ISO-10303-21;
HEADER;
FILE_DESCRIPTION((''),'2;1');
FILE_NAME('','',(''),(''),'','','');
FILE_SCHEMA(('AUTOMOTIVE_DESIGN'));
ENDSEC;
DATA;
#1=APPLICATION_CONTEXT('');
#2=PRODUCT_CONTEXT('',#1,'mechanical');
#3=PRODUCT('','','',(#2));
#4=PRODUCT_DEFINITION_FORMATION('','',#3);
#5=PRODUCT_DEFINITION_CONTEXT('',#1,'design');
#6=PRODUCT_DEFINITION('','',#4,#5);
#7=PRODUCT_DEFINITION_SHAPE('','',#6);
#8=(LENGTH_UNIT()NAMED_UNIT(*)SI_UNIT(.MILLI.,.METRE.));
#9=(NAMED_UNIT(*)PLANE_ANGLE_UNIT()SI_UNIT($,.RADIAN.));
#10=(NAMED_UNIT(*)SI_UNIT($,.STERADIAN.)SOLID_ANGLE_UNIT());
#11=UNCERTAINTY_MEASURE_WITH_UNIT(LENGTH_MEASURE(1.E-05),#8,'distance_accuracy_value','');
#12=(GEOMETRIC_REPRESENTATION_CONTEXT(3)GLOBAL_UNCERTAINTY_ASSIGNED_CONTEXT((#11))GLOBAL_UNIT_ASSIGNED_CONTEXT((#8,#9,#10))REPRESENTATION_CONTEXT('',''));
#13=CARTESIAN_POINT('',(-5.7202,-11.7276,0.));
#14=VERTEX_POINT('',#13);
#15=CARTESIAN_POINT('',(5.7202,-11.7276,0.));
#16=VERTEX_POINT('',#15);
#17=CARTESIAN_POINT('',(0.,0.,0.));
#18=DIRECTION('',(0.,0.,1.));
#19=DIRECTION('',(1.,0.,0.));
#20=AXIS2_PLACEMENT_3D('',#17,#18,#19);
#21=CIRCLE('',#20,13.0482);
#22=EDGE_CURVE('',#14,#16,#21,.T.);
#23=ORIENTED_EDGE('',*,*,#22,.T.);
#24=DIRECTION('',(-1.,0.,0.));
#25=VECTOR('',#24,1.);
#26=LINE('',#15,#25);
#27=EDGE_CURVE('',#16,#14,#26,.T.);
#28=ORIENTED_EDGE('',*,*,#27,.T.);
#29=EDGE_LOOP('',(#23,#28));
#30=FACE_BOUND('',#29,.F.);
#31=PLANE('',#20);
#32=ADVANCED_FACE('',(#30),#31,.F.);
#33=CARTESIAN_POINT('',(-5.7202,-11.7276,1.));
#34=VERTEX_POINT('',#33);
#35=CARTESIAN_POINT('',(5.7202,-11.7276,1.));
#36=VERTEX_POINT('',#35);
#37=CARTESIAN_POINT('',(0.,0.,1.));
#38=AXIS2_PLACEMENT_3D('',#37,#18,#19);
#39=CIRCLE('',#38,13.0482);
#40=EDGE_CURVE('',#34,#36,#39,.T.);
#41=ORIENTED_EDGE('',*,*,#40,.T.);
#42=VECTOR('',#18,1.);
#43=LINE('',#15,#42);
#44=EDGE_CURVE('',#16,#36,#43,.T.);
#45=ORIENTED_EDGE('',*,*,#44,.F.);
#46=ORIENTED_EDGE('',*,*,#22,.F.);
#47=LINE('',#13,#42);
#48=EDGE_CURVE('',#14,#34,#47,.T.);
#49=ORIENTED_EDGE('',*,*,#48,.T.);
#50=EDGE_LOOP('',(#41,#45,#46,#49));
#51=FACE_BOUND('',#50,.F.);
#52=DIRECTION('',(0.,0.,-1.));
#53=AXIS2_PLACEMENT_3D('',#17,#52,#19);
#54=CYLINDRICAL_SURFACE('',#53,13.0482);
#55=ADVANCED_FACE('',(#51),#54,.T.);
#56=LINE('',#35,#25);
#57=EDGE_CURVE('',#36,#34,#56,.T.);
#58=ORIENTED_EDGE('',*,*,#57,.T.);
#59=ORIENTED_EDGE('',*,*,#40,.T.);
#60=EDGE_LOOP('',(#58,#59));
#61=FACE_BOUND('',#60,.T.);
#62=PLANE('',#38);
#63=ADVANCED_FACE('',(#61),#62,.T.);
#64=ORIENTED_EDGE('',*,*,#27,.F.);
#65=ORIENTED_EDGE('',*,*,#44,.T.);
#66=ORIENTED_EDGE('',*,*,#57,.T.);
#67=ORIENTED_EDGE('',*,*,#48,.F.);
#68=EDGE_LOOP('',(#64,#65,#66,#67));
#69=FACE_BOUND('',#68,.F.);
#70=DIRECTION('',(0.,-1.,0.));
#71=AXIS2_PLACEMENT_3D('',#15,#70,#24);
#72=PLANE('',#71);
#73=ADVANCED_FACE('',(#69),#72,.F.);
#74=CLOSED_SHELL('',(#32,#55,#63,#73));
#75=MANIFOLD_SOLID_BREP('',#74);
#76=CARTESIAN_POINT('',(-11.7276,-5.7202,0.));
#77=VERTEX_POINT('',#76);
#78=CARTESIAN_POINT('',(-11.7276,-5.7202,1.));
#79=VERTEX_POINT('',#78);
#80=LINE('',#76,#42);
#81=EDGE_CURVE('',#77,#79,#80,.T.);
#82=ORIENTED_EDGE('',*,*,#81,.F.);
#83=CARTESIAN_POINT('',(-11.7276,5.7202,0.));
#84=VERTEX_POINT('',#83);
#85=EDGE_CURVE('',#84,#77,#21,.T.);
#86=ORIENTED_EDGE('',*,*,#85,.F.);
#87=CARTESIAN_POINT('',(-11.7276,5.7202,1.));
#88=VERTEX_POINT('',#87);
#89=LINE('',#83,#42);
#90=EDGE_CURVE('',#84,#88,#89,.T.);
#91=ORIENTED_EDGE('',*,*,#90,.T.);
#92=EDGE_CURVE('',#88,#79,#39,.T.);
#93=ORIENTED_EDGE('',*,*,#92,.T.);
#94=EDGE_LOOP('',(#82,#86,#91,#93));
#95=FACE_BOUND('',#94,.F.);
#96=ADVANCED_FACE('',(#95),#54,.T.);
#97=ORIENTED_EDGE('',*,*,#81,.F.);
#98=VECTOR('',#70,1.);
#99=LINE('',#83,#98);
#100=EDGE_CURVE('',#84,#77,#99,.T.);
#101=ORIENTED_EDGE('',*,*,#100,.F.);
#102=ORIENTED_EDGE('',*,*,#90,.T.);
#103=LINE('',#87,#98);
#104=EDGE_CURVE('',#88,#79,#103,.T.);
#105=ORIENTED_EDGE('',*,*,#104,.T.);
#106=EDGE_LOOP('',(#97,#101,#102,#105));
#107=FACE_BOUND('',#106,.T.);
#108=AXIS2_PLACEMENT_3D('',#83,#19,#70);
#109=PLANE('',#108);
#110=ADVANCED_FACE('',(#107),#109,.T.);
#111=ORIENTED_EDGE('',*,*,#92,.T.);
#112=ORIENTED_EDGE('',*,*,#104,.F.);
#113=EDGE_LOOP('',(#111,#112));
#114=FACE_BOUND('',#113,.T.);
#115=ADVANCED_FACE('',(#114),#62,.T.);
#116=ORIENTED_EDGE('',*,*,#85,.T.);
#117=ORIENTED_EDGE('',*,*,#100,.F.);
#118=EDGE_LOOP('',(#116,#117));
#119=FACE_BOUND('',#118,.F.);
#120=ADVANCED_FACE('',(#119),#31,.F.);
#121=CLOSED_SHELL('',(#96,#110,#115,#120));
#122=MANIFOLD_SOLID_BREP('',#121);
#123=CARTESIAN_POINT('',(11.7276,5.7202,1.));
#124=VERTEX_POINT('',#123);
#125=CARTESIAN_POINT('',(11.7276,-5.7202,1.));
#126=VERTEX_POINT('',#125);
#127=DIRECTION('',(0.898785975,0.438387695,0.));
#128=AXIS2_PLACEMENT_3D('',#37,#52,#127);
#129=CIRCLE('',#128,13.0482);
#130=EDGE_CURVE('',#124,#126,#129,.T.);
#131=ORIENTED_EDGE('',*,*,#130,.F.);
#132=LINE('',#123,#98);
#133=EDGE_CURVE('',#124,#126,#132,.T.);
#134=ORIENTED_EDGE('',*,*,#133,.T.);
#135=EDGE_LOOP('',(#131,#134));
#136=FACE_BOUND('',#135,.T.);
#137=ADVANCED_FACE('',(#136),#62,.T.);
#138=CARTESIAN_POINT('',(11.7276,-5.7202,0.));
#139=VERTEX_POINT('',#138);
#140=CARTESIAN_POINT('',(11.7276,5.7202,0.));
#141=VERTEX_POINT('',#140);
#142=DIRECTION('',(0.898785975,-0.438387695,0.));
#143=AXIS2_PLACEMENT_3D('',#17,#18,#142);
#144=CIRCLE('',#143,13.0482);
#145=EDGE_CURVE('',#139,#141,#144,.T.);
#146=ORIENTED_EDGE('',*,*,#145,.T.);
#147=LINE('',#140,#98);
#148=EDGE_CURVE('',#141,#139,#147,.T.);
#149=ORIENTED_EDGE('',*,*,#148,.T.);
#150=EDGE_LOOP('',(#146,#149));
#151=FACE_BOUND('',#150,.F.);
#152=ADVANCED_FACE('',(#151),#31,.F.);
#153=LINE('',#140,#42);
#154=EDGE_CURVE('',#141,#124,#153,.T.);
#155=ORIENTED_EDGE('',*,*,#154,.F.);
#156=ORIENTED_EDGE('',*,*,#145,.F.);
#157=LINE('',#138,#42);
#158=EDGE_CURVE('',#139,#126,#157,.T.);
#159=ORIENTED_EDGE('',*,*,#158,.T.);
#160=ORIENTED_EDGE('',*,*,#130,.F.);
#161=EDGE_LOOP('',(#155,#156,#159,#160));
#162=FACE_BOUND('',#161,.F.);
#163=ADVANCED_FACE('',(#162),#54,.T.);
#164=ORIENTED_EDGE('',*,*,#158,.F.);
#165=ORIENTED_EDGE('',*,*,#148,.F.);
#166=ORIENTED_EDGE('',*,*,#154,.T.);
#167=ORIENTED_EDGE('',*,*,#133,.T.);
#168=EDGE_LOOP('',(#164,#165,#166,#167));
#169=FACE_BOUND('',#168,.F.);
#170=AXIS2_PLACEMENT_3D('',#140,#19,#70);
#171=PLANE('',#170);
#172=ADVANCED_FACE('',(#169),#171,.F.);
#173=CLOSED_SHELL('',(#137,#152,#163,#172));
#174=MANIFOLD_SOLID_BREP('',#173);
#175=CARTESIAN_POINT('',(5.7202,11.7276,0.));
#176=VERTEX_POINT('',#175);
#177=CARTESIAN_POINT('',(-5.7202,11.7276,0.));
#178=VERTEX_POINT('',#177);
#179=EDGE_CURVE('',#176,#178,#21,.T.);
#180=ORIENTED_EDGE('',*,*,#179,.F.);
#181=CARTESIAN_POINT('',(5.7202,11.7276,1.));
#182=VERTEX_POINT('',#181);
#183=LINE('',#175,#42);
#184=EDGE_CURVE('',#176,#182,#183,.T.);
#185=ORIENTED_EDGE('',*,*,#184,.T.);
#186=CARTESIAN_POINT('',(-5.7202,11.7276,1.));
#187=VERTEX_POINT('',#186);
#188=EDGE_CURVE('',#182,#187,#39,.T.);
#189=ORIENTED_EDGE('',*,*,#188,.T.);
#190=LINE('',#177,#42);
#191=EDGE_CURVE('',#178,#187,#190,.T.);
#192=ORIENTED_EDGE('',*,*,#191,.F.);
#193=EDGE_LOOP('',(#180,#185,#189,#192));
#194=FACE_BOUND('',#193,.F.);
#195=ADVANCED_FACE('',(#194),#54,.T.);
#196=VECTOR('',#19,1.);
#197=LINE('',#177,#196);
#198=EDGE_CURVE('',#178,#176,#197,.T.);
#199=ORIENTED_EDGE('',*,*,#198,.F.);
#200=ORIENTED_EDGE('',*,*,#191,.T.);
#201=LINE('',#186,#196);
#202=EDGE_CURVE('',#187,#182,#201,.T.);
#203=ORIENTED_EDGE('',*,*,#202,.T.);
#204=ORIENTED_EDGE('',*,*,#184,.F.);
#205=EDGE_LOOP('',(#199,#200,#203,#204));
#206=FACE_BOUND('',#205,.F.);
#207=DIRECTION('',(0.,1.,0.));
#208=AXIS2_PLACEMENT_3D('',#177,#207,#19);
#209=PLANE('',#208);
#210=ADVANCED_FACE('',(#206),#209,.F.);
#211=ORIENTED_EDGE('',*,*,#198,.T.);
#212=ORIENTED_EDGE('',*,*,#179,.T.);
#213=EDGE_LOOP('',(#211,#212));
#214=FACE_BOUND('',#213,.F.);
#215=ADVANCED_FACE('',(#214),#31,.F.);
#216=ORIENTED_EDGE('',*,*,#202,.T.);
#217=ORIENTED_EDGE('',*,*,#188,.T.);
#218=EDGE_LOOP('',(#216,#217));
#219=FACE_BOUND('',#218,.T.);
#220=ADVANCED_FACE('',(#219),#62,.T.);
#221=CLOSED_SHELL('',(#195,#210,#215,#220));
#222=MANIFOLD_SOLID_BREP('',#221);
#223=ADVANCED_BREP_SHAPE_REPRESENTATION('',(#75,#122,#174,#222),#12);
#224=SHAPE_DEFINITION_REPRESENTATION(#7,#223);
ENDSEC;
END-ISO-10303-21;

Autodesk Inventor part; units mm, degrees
ref_plane "YZ Plane" through (0, 0, 0) normal (1, 0, 0) x (0, 1, 0)
ref_plane "XZ Plane" through (0, 0, 0) normal (0, 1, 0) x (-1, 0, 0)
ref_plane "XY Plane" through (0, 0, 0) normal (0, 0, 1) x (1, 0, 0)
sketch "Sketch1" plane through (0, 0, 0) normal (0, 0, 1) x (1, 0, 0)
  circle A0 centre (0, 0) radius 11.0482 projected
  circle A1 centre (0, 0) radius 13.0482 projected
  line L0 (-5.7202, 11.7276) -> (5.7202, 11.7276)
  line L1 (11.7276, 5.7202) -> (11.7276, -5.7202)
  line L2 (5.7202, -11.7276) -> (-5.7202, -11.7276)
  line L3 (-11.7276, 5.7202) -> (-11.7276, -5.7202)
  point P0 (0, 0)
extrude "Extrusion1" add sketch "Sketch1" along normal blind 1 contours A1 L1 | L0 A1 | A1 L2 | L3 A1
properties part number "snap"
